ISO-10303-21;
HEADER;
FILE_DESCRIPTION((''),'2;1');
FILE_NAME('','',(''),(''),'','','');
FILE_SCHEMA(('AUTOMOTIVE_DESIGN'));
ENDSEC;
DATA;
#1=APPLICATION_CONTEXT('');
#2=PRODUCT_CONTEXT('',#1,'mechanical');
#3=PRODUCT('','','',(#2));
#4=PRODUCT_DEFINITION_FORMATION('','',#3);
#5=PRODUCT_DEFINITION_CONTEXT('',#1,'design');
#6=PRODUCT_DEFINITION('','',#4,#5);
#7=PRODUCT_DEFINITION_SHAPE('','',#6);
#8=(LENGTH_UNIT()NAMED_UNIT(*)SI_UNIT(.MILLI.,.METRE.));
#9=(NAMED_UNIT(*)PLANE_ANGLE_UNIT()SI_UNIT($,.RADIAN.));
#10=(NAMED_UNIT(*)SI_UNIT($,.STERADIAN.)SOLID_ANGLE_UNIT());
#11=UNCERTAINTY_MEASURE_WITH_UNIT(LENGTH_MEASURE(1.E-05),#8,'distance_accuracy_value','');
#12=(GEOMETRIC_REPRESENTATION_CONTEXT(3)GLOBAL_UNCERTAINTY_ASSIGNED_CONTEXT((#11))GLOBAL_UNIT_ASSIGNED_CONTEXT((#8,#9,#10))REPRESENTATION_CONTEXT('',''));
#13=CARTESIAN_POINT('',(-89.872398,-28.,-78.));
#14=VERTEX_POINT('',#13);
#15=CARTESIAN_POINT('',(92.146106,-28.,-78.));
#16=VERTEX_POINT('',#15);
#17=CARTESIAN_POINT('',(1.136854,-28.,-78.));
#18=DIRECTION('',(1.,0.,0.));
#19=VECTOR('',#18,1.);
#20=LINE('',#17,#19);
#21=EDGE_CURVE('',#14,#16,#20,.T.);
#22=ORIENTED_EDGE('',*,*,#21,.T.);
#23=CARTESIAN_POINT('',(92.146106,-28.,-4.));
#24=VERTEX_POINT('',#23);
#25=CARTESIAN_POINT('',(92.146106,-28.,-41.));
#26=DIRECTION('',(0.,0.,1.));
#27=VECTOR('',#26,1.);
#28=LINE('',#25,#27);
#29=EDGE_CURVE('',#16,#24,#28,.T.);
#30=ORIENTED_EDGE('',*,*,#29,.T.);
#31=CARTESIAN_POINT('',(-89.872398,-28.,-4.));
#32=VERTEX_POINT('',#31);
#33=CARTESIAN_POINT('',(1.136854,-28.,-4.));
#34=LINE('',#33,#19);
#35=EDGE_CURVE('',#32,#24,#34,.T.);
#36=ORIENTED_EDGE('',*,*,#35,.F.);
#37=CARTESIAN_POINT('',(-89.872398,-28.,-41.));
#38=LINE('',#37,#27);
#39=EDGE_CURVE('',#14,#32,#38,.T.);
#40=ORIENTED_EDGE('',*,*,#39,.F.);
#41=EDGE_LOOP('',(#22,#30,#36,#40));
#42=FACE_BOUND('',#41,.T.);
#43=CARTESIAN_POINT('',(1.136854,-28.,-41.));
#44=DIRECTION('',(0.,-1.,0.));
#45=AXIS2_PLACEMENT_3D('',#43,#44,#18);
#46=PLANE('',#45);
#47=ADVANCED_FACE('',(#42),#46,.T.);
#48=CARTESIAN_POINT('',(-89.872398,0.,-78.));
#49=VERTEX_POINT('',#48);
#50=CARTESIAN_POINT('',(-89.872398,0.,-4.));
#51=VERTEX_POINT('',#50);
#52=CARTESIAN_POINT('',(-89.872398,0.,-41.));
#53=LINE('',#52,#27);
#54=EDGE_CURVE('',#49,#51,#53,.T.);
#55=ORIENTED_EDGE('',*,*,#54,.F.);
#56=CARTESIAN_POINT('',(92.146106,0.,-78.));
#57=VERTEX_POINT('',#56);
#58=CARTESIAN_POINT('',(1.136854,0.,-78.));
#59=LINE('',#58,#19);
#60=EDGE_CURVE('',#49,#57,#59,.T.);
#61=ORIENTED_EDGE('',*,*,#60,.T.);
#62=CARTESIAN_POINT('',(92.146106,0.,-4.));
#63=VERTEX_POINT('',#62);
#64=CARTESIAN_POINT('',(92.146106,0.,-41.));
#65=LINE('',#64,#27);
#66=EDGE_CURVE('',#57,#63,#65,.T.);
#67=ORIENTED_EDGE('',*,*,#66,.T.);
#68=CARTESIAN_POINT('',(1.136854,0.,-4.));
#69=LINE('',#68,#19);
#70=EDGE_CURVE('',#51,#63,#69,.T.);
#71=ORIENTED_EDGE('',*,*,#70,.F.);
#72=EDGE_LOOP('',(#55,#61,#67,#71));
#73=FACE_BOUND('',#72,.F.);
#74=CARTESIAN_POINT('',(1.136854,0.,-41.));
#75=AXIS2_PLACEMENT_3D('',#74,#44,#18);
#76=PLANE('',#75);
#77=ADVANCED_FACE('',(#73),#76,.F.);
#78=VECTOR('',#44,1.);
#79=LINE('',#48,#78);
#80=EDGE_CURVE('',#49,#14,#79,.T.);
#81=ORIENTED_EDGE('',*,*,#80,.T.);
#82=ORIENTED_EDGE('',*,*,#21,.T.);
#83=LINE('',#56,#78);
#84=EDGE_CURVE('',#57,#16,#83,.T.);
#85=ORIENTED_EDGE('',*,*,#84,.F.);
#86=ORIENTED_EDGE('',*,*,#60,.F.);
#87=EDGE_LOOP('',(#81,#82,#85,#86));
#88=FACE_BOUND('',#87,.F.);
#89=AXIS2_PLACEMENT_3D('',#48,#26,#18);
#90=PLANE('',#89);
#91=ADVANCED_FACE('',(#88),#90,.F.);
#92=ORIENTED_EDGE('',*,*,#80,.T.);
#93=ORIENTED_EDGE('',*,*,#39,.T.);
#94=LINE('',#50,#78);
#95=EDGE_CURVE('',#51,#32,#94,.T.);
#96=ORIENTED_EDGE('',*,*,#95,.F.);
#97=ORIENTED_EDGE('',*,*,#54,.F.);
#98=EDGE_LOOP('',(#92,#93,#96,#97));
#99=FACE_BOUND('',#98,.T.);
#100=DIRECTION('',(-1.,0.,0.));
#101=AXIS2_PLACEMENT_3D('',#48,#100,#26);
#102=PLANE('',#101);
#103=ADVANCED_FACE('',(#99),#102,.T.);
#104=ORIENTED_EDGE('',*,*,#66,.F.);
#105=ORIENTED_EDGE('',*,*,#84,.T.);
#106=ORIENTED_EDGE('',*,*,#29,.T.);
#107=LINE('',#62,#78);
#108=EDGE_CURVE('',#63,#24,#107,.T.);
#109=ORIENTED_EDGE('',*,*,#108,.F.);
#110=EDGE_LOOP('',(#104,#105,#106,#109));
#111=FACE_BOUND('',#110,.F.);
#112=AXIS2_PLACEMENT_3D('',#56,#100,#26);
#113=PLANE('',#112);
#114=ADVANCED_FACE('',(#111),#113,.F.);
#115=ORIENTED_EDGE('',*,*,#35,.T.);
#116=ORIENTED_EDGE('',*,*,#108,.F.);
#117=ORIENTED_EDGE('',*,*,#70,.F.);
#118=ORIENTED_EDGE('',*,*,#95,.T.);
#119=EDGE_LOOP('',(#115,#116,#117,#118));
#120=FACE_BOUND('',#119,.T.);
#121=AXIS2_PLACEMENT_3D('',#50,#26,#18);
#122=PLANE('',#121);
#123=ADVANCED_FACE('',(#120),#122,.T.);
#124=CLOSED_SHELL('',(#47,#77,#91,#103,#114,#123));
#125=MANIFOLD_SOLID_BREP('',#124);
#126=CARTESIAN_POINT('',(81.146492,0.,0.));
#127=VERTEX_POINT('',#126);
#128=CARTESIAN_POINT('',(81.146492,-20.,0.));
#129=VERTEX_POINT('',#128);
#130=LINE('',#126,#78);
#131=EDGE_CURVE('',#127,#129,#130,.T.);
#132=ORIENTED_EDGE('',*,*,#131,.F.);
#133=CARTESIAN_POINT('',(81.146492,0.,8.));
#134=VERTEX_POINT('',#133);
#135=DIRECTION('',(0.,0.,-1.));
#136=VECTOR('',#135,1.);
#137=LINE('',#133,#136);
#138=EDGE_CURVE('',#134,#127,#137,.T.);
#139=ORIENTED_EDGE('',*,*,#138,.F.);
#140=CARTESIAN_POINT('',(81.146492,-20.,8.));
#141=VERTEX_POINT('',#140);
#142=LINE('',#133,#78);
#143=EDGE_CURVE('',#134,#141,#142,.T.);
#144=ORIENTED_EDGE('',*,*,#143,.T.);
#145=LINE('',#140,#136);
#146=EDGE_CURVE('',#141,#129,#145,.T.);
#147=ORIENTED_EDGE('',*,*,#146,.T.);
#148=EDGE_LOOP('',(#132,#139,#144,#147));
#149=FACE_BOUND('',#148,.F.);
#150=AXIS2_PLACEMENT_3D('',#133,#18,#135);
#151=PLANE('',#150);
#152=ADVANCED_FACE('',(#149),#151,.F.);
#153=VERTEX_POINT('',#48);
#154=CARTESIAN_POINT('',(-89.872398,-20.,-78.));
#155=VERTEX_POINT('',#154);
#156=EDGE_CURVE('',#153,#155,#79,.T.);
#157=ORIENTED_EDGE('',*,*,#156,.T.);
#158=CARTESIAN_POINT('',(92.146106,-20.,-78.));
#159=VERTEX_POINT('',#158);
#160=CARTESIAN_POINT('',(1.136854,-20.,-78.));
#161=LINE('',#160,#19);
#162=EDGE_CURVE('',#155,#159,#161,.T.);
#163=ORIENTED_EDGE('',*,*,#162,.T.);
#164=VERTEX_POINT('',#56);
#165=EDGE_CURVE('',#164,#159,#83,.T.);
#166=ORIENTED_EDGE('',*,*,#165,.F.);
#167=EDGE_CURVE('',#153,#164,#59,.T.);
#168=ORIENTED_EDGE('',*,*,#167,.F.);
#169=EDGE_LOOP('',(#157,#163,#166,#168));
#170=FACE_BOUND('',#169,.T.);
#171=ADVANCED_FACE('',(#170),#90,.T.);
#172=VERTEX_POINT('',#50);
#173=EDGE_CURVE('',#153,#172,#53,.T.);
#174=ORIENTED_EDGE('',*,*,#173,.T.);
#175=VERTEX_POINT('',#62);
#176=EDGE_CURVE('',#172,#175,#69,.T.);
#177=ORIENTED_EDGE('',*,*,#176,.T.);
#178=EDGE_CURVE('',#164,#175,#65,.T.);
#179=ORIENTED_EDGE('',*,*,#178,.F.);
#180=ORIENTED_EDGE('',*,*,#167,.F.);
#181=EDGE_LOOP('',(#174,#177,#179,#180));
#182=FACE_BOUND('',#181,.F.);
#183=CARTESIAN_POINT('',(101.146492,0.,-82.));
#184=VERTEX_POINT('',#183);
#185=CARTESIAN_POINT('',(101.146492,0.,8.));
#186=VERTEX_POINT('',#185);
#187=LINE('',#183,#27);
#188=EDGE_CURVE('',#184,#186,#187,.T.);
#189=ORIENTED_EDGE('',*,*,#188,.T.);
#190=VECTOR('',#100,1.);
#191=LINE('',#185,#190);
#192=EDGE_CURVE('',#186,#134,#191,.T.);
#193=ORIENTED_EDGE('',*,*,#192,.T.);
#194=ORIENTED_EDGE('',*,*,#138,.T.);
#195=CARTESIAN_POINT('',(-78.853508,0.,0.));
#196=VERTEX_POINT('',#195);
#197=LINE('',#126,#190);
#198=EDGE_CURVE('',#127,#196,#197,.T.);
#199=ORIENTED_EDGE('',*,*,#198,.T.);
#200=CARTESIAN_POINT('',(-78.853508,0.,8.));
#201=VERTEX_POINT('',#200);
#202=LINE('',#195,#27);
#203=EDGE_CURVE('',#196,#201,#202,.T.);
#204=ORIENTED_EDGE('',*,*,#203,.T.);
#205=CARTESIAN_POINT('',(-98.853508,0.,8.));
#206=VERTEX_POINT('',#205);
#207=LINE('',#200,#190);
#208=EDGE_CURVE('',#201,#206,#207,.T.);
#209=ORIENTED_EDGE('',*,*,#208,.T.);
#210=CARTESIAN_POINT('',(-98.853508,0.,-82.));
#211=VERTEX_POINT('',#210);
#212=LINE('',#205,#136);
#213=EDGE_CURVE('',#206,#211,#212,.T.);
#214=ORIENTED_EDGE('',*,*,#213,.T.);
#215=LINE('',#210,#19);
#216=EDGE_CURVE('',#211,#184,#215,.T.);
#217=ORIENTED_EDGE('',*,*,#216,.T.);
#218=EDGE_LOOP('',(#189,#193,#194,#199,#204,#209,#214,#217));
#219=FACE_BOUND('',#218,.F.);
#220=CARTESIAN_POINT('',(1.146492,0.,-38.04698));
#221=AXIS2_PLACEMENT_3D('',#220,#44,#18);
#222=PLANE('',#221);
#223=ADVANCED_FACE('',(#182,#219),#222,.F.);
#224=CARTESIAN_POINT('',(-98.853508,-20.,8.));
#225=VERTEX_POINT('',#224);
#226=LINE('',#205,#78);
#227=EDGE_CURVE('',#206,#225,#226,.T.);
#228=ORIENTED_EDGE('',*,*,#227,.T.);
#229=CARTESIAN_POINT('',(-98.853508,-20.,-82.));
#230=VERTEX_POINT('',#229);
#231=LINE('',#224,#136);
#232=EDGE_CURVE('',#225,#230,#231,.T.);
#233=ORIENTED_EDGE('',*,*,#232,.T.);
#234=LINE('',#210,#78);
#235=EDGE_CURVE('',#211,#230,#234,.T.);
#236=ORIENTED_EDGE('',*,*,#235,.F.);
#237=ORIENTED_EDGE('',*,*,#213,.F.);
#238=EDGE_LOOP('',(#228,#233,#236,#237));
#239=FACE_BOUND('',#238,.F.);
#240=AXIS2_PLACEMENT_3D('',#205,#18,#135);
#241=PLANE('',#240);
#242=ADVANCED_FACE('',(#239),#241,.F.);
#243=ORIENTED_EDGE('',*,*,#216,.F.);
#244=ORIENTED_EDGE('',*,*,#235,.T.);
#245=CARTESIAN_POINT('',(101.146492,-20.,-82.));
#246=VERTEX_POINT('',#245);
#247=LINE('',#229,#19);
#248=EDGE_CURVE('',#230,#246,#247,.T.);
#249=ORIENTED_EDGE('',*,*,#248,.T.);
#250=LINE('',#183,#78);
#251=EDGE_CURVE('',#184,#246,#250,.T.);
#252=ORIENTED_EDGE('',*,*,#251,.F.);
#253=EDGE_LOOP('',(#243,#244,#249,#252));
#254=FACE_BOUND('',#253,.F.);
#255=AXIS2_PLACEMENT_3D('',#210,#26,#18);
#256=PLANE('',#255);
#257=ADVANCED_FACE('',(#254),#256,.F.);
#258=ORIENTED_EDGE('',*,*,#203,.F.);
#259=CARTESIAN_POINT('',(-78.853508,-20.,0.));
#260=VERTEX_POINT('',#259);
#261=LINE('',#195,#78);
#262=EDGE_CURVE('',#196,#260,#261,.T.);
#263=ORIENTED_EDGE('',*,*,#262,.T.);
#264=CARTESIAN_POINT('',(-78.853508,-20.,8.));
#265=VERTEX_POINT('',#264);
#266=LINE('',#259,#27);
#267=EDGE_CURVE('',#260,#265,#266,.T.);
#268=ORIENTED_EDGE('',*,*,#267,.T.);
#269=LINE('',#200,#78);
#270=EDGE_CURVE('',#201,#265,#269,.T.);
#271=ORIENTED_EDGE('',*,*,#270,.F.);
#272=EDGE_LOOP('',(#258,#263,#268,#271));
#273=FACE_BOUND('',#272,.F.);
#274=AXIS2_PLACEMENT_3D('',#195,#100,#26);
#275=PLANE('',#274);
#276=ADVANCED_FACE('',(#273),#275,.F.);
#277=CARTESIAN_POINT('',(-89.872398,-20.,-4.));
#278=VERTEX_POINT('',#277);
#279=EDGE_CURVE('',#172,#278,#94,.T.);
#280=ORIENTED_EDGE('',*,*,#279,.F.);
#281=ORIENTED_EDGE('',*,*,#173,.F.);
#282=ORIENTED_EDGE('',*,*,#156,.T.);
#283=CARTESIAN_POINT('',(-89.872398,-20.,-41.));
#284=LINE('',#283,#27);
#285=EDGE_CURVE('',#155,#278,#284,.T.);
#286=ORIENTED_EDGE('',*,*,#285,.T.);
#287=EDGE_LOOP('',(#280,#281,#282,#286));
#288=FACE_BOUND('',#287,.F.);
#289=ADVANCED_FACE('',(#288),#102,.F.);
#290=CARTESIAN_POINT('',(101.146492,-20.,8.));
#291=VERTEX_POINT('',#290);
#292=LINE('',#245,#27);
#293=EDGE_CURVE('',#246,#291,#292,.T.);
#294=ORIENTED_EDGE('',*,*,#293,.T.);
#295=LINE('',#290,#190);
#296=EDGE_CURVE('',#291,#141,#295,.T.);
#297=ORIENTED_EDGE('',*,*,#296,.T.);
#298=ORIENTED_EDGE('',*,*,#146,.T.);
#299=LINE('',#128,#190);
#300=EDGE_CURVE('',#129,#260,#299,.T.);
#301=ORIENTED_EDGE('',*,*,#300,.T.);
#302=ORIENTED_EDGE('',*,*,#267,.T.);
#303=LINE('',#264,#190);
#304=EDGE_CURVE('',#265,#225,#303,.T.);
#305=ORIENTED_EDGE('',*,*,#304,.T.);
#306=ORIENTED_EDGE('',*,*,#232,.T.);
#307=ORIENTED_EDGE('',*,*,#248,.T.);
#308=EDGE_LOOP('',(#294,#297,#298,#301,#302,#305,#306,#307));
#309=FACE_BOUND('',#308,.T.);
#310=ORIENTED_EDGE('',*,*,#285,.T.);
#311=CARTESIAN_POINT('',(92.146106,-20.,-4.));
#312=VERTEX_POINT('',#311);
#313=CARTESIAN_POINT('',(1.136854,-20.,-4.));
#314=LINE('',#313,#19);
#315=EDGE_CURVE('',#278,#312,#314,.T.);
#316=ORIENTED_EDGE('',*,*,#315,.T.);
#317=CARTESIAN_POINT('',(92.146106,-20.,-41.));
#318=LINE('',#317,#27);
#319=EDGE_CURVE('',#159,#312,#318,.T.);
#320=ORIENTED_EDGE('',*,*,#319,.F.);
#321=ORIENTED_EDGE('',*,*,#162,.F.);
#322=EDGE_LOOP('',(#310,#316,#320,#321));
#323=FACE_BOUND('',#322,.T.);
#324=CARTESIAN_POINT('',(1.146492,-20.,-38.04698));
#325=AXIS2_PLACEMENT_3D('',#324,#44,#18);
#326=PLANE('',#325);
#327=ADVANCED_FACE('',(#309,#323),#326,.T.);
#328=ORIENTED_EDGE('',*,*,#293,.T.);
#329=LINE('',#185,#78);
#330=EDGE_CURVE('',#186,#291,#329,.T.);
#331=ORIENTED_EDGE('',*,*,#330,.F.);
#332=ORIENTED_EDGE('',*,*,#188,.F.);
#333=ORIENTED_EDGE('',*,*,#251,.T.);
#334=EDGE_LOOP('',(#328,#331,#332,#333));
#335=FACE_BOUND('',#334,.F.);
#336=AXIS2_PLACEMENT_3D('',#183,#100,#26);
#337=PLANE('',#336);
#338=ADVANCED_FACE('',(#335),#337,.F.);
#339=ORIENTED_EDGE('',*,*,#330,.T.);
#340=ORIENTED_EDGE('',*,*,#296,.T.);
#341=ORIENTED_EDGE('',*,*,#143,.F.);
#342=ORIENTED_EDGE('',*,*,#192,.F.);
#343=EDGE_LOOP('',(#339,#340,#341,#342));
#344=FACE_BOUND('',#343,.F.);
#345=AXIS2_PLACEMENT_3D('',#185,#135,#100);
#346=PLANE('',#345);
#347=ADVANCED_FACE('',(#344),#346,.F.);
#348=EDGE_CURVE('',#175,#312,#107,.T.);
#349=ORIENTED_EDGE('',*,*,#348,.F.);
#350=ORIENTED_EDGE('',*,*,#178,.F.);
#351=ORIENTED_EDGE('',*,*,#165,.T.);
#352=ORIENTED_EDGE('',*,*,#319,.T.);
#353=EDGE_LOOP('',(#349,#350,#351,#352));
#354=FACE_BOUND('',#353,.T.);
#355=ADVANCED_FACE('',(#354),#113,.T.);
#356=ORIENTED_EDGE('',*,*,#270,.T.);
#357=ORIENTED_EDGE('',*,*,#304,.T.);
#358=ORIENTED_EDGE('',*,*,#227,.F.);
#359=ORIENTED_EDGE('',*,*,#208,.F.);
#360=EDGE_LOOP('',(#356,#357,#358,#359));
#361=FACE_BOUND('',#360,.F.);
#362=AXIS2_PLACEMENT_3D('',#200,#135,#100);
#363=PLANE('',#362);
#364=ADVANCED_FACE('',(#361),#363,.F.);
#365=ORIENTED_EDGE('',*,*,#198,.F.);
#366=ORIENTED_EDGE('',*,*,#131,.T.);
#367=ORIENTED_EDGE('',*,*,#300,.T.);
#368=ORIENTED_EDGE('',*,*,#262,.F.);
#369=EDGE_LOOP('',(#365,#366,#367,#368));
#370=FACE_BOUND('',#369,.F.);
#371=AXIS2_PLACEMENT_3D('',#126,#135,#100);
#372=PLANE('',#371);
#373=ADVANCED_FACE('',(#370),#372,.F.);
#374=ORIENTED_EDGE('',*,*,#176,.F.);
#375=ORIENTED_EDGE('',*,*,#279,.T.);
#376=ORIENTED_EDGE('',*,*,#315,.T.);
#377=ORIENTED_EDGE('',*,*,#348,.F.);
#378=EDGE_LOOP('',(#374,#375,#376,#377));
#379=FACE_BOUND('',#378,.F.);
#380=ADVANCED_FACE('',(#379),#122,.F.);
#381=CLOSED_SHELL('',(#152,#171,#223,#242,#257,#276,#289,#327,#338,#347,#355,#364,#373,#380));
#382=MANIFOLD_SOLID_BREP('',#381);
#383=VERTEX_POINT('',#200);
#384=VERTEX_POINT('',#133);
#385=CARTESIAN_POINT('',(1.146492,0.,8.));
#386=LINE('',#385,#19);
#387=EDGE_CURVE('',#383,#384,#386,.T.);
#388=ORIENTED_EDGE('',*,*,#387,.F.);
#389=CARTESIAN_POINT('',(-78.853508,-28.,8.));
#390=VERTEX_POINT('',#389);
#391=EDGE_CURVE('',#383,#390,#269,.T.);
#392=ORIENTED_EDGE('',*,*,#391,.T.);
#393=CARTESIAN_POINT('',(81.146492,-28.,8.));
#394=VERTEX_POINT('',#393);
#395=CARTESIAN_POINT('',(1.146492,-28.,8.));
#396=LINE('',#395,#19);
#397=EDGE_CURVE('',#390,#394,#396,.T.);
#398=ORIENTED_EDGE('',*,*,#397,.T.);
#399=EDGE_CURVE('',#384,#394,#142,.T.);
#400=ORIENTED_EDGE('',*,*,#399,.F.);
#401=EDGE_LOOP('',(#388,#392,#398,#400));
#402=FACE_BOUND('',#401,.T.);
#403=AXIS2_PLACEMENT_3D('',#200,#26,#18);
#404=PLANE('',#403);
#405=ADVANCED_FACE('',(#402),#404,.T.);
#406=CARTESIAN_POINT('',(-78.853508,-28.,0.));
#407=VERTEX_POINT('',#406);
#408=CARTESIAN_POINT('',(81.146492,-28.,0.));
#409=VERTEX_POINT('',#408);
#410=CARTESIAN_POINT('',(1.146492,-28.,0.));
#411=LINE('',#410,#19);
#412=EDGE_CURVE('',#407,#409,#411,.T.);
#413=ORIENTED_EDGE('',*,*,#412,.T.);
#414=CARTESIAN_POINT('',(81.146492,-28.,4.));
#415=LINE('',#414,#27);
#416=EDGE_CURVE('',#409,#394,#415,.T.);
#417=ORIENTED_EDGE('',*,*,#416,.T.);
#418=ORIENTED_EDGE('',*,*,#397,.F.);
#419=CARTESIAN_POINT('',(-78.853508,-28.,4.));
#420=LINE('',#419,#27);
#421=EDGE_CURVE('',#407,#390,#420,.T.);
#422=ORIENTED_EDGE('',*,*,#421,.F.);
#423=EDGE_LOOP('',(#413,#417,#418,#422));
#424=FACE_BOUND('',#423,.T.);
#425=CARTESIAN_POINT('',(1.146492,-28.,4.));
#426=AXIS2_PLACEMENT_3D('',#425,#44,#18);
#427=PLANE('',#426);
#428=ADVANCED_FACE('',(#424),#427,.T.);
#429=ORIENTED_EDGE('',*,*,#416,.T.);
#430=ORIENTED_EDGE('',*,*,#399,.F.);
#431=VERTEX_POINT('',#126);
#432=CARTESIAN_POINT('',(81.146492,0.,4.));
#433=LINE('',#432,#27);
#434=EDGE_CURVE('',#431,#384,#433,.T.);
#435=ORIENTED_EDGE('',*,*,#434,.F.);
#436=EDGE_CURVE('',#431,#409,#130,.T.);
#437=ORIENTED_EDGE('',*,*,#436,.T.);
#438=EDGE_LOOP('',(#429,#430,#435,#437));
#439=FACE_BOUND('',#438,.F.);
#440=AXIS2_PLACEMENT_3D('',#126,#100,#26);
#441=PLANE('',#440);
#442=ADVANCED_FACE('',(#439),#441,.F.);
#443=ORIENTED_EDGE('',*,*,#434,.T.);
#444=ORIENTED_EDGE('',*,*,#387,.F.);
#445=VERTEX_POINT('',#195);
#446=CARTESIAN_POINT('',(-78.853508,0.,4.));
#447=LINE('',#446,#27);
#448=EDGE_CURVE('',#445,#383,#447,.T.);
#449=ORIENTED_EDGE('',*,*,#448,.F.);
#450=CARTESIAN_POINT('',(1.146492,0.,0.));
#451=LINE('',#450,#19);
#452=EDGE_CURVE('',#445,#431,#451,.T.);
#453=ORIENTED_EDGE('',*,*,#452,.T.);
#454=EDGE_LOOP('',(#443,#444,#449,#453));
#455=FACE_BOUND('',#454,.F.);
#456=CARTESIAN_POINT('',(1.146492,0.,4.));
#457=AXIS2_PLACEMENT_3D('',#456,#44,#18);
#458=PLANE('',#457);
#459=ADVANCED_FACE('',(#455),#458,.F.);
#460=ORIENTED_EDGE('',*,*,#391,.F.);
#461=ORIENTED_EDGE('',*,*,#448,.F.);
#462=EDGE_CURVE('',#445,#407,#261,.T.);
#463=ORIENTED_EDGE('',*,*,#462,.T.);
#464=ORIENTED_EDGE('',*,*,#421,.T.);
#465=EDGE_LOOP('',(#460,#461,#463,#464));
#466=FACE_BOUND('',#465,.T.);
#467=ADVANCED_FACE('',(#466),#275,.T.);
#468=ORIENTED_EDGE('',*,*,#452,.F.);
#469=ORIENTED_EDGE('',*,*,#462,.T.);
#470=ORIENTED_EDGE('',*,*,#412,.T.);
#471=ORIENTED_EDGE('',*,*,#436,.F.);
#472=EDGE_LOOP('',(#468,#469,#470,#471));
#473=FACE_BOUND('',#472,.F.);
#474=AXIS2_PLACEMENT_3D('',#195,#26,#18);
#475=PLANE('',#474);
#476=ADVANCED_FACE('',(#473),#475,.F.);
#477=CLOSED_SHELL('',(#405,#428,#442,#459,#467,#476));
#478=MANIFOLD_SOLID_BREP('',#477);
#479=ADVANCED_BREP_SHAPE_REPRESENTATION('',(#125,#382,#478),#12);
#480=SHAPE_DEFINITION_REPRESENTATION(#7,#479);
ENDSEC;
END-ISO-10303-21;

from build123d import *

# Parameters (mm, degrees)
F0_W     = 182.018503
F0_H     = 74
F0_W_2   = 160
F0_H_2   = 8
F1_DEPTH = 28
F2_DEPTH = 20


with BuildPart() as f1:
    # F0 (on Front) → F1 (new body)
    with BuildSketch(Plane.XZ):
        with Locations((1.136854, -41)):
            Rectangle(F0_W, F0_H)
        with Locations((1.146492, 4)):
            Rectangle(F0_W_2, F0_H_2)
    extrude(amount=F1_DEPTH)


with BuildPart() as f2:
    # F0 (on Front) → F2 (new body)
    with BuildSketch(Plane.XZ):
        Polygon((-78.853508, 8), (-98.853508, 8), (-98.853508, -82), (101.146492, -82), (101.146492, 8), (81.146492, 8), (81.146492, 0), (-78.853508, 0), align=None)
        with Locations((1.136854, -41)):
            Rectangle(F0_W, F0_H, mode=Mode.SUBTRACT)
    extrude(amount=F2_DEPTH)


solid = Compound([f1.part, f2.part])
